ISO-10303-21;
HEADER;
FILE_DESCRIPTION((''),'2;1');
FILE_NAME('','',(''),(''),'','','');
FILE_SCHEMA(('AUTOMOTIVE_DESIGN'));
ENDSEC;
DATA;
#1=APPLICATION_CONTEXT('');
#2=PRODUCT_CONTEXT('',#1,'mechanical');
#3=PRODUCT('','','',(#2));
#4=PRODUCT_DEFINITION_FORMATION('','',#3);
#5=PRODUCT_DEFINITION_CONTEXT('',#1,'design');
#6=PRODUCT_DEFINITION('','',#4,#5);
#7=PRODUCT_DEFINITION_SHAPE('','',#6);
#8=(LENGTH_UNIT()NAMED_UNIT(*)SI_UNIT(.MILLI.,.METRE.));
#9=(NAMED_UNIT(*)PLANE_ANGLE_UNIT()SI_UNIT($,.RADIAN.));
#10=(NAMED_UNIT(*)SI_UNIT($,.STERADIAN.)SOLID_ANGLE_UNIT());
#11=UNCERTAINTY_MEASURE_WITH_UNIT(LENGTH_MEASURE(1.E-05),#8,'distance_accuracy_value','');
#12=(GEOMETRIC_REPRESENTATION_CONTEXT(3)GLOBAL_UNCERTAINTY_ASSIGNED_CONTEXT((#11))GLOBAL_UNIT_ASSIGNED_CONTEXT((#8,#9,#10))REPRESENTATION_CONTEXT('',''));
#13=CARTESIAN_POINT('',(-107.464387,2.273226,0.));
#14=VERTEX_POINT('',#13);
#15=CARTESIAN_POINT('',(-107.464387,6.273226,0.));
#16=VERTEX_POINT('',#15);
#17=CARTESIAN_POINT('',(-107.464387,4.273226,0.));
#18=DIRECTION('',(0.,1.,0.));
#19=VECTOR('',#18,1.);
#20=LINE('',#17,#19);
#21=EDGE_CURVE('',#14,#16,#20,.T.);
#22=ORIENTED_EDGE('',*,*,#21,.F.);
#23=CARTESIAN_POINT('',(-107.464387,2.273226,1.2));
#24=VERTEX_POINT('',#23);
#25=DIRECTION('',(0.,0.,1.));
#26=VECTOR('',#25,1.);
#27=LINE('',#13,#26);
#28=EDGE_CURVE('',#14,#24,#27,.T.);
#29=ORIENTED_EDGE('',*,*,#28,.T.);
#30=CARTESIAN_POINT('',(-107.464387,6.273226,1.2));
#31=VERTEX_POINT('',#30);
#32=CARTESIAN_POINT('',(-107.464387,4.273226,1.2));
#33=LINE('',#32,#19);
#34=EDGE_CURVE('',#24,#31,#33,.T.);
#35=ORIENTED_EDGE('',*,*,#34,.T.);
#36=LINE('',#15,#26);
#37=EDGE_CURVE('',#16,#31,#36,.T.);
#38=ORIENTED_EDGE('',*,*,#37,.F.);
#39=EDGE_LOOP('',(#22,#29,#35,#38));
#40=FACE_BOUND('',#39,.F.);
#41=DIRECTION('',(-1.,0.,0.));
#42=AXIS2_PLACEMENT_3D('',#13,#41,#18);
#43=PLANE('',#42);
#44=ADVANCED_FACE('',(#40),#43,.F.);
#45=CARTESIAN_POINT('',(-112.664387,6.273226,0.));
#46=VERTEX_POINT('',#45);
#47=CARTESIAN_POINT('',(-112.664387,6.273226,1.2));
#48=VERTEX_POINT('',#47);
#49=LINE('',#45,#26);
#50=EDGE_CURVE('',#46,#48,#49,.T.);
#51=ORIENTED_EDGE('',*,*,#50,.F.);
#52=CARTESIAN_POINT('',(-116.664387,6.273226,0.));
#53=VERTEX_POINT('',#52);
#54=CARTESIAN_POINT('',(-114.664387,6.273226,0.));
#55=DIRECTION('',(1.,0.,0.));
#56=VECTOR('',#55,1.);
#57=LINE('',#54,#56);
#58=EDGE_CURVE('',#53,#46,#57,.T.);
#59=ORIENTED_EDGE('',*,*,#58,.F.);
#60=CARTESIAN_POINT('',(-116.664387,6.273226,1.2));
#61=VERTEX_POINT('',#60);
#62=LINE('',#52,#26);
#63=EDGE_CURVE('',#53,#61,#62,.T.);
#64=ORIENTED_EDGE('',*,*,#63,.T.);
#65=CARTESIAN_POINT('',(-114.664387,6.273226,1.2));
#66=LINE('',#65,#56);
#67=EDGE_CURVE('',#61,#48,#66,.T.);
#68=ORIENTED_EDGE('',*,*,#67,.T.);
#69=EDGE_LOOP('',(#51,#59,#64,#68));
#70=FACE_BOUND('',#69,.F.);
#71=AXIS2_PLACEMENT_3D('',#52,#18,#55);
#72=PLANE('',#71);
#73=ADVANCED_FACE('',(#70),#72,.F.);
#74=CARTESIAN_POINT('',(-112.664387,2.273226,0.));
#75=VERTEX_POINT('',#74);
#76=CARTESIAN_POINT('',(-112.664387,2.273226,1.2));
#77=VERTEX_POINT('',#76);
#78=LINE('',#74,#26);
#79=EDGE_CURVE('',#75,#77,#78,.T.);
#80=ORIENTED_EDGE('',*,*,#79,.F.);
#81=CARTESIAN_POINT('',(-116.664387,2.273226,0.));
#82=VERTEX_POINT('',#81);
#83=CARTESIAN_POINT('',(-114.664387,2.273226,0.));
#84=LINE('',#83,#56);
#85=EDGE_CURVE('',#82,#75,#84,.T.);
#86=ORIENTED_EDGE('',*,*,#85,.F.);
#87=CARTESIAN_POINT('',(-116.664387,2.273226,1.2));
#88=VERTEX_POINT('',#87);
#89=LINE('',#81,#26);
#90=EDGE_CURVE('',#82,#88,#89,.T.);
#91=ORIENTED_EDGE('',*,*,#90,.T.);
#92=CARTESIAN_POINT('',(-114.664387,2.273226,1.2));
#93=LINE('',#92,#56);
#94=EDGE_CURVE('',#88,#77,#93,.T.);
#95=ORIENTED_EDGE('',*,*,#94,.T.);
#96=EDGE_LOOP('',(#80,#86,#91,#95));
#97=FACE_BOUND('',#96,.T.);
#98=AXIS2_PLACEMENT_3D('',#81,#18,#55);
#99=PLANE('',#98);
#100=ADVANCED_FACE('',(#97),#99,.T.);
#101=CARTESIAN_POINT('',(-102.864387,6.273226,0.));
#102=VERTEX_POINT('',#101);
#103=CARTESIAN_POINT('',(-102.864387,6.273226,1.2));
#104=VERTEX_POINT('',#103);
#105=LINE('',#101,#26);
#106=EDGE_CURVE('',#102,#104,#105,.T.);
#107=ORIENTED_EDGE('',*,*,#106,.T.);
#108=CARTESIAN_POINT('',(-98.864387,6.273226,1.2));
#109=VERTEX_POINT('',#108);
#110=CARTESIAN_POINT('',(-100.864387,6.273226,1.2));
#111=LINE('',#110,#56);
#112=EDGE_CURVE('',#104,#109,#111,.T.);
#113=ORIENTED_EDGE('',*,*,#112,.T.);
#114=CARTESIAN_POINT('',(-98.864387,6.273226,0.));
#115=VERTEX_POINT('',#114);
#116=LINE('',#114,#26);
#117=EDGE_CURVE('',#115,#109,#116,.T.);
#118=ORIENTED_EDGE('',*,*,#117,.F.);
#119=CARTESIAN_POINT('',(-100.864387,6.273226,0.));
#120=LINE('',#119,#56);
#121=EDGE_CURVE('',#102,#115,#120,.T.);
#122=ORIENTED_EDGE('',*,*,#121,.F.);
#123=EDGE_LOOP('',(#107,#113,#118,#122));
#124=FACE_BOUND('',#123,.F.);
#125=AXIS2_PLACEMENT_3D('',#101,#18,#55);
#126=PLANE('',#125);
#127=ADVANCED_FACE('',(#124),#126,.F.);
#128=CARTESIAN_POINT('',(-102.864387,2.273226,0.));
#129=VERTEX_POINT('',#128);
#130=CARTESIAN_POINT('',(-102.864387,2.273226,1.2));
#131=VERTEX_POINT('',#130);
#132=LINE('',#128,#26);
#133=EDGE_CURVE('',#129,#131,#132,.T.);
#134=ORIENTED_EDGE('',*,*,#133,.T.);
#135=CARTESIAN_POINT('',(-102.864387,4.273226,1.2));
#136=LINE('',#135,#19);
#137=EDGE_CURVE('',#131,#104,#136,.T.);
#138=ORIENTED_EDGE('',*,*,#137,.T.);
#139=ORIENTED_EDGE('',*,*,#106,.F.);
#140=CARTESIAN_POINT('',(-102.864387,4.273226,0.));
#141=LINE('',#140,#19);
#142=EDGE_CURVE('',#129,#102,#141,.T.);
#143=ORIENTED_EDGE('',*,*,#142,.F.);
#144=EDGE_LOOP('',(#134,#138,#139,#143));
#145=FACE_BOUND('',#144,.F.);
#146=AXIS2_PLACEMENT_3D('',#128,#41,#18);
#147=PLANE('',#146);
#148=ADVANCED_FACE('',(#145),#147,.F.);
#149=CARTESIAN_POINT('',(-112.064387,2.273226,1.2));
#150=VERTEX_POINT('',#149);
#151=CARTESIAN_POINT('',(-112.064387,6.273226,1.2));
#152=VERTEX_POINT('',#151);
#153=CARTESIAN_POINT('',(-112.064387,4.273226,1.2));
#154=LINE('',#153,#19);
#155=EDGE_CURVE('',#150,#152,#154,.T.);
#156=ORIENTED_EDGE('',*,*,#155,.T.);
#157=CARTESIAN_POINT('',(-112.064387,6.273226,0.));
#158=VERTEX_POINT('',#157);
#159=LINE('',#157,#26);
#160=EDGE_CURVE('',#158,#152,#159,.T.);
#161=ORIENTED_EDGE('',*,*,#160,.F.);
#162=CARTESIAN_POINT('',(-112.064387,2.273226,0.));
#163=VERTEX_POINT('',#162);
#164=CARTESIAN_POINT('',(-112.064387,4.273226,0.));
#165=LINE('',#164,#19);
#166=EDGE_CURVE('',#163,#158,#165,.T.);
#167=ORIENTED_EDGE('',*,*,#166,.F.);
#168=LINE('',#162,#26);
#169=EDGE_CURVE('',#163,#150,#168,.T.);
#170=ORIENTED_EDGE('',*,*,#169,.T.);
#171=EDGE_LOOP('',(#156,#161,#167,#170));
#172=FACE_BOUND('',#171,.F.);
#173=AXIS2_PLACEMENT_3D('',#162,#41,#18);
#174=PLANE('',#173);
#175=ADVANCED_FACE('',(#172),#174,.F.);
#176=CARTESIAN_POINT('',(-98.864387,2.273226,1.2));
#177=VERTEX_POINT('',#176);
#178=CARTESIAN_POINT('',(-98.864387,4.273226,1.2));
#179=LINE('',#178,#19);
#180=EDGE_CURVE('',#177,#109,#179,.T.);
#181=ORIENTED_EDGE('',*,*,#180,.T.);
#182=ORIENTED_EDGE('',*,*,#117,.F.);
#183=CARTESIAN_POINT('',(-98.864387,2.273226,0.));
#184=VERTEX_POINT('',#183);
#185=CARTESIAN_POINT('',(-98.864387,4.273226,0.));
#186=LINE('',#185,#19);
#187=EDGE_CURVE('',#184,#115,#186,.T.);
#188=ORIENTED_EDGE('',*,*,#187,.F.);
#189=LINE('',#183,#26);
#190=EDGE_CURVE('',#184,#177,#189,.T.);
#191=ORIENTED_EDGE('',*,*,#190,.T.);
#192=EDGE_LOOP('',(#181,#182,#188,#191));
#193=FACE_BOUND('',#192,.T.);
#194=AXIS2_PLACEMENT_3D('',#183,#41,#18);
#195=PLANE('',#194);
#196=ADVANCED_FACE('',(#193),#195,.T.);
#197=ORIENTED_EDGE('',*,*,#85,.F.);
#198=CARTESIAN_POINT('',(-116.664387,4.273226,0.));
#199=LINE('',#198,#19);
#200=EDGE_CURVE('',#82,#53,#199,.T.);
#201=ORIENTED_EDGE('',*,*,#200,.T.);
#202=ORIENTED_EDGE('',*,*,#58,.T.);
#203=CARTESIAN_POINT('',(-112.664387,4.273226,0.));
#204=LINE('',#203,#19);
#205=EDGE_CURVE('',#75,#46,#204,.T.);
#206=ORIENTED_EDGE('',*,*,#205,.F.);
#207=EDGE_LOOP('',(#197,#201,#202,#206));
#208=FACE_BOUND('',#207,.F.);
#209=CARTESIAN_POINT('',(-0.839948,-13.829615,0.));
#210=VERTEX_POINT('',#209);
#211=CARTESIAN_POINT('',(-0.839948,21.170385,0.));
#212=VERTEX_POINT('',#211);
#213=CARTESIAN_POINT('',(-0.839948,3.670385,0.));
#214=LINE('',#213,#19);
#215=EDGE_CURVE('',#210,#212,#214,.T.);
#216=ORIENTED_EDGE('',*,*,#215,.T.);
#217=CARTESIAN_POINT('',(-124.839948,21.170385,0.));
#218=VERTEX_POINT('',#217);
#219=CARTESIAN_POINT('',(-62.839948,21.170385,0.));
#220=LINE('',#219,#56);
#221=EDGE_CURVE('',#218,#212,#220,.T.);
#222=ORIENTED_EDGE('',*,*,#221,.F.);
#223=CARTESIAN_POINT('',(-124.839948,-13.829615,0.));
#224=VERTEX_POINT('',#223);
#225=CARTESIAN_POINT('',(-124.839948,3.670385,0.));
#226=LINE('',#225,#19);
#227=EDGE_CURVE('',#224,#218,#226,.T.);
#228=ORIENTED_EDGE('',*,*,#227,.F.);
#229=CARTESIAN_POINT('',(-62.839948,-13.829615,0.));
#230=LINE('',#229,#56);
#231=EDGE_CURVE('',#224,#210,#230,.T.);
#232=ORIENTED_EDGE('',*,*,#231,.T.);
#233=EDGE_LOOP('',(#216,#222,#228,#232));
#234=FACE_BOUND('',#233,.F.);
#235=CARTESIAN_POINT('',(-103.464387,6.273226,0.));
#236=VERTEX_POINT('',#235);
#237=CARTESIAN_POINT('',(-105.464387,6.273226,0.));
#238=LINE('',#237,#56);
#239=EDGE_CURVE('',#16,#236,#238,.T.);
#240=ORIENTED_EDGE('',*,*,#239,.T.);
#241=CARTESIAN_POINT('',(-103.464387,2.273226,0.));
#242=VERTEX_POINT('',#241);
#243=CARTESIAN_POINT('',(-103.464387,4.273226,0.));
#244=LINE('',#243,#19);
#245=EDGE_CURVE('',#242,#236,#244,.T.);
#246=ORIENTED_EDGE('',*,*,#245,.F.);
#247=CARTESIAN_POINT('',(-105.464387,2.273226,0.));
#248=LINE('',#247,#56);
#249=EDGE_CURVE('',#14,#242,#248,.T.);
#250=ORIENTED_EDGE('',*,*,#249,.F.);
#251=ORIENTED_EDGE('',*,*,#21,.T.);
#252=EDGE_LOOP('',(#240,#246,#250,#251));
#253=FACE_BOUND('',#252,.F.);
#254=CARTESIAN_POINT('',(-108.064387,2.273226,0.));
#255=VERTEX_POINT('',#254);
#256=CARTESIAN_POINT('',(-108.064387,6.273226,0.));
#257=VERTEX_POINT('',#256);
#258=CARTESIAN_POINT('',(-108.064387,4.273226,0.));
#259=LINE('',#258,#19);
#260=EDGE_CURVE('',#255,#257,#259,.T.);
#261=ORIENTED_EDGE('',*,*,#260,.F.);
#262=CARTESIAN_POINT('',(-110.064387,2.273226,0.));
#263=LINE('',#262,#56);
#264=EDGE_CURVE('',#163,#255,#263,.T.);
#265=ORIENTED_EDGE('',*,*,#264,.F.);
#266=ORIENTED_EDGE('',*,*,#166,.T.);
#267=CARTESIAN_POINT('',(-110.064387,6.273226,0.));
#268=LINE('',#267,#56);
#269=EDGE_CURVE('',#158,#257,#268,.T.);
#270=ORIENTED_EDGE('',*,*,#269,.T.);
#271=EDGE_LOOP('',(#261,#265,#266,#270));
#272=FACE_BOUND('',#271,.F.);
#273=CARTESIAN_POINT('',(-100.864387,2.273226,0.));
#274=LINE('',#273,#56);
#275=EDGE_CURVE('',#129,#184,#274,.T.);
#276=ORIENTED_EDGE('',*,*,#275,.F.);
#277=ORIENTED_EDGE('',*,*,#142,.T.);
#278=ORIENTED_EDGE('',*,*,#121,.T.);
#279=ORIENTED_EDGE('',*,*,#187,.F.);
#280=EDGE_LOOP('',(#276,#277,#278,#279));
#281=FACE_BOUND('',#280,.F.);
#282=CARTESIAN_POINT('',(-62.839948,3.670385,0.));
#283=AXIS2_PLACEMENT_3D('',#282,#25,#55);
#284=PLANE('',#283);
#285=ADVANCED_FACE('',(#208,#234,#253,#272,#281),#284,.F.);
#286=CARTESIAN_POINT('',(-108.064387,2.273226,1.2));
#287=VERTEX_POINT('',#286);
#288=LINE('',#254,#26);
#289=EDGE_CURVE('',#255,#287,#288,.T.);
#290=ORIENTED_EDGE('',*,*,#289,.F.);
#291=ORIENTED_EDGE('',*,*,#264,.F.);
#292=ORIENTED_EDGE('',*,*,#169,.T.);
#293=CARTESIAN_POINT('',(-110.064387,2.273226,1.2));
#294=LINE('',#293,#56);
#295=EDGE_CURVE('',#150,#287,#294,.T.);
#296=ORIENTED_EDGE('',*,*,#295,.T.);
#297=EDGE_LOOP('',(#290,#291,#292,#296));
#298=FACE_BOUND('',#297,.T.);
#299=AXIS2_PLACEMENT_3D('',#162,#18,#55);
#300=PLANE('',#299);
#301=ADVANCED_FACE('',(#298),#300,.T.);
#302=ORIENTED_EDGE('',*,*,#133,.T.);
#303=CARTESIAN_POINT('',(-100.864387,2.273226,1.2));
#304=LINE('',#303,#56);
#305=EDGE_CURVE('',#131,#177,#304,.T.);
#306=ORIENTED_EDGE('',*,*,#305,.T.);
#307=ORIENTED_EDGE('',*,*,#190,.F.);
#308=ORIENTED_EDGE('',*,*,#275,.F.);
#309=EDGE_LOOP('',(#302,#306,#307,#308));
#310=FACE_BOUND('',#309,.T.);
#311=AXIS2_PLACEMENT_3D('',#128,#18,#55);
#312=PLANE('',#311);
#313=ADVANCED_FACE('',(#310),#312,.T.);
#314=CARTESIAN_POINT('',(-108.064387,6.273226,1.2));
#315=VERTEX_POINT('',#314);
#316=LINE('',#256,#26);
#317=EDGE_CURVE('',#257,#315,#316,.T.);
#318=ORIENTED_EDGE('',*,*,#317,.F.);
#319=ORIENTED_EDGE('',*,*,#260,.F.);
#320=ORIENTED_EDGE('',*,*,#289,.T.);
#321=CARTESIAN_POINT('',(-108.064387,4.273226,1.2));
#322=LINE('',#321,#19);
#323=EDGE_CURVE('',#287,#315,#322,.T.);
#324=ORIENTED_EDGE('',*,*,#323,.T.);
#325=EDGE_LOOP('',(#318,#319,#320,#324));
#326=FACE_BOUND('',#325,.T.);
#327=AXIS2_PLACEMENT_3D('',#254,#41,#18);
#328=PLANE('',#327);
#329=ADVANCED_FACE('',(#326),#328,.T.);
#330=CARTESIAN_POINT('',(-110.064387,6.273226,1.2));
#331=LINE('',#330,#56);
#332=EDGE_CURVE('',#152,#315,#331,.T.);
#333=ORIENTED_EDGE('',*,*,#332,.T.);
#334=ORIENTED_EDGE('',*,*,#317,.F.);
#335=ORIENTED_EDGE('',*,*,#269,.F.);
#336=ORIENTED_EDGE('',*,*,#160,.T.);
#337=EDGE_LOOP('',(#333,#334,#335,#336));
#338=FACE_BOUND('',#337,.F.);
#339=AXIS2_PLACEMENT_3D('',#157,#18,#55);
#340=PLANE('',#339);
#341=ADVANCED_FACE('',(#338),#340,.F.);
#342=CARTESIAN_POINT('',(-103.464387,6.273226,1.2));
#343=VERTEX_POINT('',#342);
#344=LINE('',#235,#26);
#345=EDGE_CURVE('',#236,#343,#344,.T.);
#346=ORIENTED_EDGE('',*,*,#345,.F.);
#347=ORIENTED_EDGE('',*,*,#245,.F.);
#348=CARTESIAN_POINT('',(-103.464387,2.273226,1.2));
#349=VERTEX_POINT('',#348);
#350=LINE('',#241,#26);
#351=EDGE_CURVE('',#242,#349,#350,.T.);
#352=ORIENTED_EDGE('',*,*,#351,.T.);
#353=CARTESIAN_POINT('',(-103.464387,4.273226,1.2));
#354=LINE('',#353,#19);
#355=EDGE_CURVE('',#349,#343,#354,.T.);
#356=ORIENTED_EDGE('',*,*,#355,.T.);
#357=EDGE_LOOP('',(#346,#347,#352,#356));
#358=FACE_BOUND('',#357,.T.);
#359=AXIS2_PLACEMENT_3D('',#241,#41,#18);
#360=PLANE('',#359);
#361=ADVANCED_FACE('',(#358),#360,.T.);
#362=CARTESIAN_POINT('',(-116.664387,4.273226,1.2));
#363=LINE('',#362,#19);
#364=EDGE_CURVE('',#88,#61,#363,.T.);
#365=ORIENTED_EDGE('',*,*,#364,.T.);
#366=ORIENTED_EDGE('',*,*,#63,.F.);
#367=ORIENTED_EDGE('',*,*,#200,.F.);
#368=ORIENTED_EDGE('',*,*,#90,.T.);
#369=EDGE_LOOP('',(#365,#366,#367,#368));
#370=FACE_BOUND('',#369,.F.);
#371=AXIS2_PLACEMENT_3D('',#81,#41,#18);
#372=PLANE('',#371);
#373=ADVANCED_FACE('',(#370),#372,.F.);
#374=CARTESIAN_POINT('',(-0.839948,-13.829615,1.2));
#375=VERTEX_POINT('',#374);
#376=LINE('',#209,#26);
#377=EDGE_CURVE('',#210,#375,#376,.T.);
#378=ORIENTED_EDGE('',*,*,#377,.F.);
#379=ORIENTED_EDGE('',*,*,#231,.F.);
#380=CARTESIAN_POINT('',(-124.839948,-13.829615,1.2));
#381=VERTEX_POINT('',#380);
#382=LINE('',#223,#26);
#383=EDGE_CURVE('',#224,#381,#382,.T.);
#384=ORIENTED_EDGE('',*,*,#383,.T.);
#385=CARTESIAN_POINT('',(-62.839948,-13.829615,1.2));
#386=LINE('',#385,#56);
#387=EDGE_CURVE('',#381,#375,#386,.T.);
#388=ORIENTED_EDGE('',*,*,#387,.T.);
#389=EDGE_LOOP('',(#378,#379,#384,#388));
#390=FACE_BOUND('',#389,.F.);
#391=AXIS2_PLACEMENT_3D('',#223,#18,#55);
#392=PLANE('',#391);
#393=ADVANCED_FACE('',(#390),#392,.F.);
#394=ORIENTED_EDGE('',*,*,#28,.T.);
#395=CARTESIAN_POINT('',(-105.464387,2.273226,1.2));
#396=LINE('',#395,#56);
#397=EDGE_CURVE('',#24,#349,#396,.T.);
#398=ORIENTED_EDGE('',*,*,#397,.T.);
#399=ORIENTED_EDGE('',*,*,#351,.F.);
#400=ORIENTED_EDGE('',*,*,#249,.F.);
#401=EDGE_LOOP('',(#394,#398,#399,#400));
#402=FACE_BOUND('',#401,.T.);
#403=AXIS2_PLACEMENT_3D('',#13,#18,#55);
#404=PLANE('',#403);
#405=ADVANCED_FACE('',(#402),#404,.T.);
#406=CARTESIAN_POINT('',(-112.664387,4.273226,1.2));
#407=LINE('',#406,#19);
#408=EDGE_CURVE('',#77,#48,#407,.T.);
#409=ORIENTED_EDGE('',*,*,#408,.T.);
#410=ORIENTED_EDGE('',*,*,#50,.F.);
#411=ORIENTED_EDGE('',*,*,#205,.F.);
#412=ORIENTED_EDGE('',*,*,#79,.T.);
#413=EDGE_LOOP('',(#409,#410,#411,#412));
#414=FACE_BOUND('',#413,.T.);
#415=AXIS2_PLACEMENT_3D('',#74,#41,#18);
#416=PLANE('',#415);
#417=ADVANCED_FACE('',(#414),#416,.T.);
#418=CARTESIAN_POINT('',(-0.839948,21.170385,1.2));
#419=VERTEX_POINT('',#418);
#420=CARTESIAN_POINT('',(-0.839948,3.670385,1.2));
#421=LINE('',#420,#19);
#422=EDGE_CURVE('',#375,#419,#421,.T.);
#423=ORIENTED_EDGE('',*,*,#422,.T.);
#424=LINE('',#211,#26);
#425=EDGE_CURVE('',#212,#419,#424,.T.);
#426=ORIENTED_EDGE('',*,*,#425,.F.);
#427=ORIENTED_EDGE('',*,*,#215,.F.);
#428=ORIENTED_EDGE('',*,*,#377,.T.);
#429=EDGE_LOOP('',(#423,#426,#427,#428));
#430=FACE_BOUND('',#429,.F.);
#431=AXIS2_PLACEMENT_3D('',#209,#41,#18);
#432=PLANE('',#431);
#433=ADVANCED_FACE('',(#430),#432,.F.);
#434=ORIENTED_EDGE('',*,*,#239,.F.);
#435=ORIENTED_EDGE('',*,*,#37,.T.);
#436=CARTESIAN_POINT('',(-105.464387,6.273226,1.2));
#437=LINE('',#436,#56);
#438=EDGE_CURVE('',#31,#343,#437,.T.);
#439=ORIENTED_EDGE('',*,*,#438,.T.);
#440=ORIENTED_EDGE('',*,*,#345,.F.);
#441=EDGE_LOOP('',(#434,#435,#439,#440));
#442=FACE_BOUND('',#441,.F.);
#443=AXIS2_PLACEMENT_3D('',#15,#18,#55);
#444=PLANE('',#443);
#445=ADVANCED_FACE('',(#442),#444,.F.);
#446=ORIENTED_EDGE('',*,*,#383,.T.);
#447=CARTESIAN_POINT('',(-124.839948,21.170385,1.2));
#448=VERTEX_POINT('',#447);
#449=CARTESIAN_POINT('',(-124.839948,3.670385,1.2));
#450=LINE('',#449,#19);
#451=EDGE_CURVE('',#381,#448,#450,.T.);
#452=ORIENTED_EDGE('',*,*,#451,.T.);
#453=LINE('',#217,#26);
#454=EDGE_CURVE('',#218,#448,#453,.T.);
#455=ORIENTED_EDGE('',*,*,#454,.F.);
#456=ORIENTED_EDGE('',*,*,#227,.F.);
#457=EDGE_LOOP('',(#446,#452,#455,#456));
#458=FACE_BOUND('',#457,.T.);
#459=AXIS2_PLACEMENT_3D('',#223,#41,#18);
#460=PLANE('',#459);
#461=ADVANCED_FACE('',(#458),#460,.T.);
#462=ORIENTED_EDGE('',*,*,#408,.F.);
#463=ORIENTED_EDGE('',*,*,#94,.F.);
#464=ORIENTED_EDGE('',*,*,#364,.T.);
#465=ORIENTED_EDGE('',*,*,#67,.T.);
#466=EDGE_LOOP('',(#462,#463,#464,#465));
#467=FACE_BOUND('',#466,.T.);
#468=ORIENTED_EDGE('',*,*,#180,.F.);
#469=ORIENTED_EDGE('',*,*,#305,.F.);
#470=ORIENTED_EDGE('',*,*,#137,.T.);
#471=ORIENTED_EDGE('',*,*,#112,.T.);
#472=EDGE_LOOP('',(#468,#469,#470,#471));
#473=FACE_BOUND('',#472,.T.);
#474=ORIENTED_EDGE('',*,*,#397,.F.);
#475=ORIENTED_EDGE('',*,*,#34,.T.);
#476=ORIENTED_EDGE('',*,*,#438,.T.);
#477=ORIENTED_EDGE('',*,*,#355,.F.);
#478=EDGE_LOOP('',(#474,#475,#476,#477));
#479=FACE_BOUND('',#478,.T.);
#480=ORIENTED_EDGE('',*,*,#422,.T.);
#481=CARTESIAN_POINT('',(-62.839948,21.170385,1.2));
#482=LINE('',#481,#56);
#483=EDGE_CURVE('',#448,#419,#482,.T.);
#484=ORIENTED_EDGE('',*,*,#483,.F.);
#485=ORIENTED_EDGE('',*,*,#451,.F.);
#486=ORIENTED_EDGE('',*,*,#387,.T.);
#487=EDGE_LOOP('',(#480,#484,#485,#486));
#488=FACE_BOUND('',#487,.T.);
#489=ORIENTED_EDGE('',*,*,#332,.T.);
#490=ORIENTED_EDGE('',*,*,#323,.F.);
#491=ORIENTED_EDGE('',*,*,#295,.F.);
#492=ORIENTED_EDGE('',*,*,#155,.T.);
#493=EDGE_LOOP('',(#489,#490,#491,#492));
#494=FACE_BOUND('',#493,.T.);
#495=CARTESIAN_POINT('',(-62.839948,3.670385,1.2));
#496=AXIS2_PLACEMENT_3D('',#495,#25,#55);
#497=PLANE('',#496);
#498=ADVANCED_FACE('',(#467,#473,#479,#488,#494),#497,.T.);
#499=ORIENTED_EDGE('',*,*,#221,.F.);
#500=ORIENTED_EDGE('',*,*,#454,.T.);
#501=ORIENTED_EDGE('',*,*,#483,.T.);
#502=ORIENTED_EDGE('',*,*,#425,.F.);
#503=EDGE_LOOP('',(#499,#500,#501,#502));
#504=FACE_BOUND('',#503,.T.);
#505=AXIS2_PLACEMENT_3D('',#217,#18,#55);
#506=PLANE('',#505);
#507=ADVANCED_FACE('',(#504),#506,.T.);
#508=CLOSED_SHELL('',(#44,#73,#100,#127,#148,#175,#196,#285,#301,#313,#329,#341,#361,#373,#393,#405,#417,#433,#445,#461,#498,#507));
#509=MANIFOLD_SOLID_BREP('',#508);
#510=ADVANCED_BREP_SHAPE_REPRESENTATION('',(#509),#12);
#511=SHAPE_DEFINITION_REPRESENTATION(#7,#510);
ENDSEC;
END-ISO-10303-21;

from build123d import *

# Parameters (mm, degrees)
F0_W     = 124
F0_H     = 35
F0_W_2   = 4
F0_H_2   = 4
F1_DEPTH = 1.2


with BuildPart() as f1:
    # F0 (on Top) → F1 (new body)
    with BuildSketch(Plane.XY):
        with Locations((-62.839948, 3.670385)):
            Rectangle(F0_W, F0_H)
        with Locations((-114.664387, 4.273226)):
            Rectangle(F0_W_2, F0_H_2, mode=Mode.SUBTRACT)
        with Locations((-110.064387, 4.273226)):
            Rectangle(F0_W_2, F0_H_2, mode=Mode.SUBTRACT)
        with Locations((-105.464387, 4.273226)):
            Rectangle(F0_W_2, F0_H_2, mode=Mode.SUBTRACT)
        with Locations((-100.864387, 4.273226)):
            Rectangle(F0_W_2, F0_H_2, mode=Mode.SUBTRACT)
    extrude(amount=F1_DEPTH)


solid = f1.part
